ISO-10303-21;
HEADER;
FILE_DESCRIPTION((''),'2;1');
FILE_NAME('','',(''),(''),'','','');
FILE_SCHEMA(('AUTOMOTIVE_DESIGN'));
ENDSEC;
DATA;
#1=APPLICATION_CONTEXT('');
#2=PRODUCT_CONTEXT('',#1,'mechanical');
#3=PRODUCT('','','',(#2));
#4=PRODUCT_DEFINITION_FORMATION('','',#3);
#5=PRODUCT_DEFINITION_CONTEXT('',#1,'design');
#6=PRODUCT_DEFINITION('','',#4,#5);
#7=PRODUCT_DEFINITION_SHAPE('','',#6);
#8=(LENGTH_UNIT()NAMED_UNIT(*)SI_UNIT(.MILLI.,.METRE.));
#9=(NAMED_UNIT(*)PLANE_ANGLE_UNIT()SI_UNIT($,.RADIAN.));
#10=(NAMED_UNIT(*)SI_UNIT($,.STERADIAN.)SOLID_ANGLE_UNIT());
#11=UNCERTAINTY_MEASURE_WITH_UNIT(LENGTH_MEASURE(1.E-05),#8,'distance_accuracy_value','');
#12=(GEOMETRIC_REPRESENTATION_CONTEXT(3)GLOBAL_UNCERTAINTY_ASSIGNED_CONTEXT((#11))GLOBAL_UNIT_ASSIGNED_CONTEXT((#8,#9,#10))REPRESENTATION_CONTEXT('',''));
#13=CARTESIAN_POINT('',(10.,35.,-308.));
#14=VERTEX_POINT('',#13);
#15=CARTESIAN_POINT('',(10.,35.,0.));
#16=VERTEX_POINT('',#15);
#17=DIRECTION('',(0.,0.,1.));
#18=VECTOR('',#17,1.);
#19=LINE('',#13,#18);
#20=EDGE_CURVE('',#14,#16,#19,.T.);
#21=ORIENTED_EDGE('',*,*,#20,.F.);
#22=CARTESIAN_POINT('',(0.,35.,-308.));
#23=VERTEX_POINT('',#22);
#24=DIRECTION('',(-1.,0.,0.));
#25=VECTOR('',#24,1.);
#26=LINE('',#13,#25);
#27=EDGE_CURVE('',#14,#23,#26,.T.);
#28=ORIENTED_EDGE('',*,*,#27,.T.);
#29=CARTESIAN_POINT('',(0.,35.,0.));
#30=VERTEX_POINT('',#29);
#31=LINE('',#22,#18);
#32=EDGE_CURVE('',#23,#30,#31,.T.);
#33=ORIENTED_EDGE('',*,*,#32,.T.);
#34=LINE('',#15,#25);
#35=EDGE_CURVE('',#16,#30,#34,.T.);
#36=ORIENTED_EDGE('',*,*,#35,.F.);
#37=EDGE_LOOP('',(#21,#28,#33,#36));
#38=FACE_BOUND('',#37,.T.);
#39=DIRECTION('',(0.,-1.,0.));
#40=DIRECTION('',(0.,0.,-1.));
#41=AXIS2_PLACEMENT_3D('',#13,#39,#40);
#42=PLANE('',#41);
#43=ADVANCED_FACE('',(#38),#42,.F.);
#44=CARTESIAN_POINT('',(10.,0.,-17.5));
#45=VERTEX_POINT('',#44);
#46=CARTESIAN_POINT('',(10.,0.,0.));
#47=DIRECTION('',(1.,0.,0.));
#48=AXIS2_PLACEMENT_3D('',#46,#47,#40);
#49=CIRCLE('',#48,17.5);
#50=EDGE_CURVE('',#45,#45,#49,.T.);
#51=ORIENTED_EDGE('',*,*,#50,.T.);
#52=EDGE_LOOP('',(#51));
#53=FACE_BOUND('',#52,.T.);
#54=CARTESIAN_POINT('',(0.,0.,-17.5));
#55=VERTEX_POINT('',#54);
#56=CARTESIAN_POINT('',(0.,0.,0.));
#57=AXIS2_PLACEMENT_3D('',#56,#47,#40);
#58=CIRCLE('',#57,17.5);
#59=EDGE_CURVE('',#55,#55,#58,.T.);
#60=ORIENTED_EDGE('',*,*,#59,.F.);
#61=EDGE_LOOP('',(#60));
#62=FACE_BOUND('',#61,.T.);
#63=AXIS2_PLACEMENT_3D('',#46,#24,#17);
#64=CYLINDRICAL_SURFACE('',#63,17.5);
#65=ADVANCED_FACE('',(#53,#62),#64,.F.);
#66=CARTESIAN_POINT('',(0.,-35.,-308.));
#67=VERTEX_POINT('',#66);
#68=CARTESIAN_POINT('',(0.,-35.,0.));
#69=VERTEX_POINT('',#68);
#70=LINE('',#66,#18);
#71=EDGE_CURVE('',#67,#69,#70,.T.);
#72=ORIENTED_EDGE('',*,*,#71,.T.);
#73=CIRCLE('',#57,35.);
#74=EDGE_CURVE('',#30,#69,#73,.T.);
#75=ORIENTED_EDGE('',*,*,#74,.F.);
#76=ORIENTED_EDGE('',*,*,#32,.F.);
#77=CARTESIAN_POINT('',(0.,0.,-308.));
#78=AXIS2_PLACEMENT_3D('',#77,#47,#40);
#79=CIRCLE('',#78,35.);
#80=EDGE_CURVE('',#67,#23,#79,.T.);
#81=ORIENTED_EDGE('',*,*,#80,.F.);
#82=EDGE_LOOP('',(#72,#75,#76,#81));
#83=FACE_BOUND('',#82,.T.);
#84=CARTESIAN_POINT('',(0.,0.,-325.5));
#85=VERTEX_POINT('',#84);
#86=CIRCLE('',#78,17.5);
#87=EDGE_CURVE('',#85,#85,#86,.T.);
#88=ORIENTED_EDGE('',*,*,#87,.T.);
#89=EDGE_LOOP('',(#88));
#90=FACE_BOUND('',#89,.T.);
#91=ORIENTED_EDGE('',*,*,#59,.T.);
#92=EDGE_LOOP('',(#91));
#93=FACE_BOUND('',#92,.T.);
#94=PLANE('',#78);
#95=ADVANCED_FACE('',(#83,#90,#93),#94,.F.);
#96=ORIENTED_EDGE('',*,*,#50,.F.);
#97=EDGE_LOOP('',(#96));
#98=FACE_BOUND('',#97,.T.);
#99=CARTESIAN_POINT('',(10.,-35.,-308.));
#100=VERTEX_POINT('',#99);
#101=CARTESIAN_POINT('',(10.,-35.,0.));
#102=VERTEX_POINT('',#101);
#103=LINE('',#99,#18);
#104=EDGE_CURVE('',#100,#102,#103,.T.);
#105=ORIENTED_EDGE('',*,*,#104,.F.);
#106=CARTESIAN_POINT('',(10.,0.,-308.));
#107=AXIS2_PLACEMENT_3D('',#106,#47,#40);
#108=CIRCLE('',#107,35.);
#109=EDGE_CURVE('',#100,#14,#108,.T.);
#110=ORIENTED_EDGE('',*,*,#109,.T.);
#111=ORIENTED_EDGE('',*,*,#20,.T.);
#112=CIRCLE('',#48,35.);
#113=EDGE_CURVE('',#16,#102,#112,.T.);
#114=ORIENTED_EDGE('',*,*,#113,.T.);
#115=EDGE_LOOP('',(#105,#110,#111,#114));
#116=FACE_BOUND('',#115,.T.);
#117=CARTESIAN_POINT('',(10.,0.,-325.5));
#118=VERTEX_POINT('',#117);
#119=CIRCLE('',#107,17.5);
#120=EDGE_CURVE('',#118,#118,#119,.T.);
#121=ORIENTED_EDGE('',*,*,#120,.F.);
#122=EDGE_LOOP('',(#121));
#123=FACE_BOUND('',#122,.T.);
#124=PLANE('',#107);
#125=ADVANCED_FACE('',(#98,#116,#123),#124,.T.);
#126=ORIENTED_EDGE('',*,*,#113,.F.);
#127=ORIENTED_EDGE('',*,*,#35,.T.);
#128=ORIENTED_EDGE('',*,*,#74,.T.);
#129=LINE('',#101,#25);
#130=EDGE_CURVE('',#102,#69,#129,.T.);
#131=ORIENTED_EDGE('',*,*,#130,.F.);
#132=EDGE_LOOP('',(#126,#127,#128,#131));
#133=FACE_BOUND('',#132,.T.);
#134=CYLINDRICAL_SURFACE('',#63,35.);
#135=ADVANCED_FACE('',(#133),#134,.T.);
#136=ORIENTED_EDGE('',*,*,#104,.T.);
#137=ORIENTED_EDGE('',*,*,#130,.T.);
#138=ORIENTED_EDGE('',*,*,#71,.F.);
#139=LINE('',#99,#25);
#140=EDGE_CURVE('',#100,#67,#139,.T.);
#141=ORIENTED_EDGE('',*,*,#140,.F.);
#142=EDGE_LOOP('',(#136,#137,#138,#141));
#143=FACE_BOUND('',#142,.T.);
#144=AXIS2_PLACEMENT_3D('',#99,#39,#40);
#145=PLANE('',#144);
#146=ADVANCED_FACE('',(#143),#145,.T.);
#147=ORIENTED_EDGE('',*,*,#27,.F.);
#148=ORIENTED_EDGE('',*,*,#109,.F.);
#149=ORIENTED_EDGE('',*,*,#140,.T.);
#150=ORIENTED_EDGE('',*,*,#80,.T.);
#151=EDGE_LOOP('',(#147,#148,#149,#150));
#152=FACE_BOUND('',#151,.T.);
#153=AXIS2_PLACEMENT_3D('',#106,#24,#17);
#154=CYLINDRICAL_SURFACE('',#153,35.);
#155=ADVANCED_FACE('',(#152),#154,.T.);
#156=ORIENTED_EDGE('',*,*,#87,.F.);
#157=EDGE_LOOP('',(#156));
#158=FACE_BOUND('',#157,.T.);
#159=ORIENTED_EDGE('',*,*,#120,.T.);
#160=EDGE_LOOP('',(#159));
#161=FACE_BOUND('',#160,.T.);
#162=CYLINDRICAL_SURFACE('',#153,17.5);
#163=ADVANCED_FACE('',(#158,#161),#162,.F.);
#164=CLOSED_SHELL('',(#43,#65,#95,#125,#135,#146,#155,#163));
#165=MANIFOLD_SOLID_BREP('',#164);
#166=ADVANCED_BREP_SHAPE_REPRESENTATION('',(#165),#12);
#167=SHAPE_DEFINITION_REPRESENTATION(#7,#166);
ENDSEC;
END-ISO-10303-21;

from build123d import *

# Parameters (mm, degrees)
SKETCH1_R           = 17.5
BOSS_EXTRUDE2_DEPTH = 10


with BuildPart() as part:
    # Sketch1 → Boss-Extrude2 (new body)
    with BuildSketch(Plane(origin=(0, 0, 0), x_dir=(0, 0, -1), z_dir=(1, 0, 0))):
        with BuildLine():
            Line((308, -35), (0, -35))
            ThreePointArc((0, -35), (-35, 0), (0, 35))
            Line((0, 35), (308, 35))
            ThreePointArc((308, 35), (343, 0), (308, -35))
        make_face()
        Circle(SKETCH1_R, mode=Mode.SUBTRACT)
        with Locations((308, 0)):
            Circle(SKETCH1_R, mode=Mode.SUBTRACT)
    extrude(amount=BOSS_EXTRUDE2_DEPTH)


solid = part.part
